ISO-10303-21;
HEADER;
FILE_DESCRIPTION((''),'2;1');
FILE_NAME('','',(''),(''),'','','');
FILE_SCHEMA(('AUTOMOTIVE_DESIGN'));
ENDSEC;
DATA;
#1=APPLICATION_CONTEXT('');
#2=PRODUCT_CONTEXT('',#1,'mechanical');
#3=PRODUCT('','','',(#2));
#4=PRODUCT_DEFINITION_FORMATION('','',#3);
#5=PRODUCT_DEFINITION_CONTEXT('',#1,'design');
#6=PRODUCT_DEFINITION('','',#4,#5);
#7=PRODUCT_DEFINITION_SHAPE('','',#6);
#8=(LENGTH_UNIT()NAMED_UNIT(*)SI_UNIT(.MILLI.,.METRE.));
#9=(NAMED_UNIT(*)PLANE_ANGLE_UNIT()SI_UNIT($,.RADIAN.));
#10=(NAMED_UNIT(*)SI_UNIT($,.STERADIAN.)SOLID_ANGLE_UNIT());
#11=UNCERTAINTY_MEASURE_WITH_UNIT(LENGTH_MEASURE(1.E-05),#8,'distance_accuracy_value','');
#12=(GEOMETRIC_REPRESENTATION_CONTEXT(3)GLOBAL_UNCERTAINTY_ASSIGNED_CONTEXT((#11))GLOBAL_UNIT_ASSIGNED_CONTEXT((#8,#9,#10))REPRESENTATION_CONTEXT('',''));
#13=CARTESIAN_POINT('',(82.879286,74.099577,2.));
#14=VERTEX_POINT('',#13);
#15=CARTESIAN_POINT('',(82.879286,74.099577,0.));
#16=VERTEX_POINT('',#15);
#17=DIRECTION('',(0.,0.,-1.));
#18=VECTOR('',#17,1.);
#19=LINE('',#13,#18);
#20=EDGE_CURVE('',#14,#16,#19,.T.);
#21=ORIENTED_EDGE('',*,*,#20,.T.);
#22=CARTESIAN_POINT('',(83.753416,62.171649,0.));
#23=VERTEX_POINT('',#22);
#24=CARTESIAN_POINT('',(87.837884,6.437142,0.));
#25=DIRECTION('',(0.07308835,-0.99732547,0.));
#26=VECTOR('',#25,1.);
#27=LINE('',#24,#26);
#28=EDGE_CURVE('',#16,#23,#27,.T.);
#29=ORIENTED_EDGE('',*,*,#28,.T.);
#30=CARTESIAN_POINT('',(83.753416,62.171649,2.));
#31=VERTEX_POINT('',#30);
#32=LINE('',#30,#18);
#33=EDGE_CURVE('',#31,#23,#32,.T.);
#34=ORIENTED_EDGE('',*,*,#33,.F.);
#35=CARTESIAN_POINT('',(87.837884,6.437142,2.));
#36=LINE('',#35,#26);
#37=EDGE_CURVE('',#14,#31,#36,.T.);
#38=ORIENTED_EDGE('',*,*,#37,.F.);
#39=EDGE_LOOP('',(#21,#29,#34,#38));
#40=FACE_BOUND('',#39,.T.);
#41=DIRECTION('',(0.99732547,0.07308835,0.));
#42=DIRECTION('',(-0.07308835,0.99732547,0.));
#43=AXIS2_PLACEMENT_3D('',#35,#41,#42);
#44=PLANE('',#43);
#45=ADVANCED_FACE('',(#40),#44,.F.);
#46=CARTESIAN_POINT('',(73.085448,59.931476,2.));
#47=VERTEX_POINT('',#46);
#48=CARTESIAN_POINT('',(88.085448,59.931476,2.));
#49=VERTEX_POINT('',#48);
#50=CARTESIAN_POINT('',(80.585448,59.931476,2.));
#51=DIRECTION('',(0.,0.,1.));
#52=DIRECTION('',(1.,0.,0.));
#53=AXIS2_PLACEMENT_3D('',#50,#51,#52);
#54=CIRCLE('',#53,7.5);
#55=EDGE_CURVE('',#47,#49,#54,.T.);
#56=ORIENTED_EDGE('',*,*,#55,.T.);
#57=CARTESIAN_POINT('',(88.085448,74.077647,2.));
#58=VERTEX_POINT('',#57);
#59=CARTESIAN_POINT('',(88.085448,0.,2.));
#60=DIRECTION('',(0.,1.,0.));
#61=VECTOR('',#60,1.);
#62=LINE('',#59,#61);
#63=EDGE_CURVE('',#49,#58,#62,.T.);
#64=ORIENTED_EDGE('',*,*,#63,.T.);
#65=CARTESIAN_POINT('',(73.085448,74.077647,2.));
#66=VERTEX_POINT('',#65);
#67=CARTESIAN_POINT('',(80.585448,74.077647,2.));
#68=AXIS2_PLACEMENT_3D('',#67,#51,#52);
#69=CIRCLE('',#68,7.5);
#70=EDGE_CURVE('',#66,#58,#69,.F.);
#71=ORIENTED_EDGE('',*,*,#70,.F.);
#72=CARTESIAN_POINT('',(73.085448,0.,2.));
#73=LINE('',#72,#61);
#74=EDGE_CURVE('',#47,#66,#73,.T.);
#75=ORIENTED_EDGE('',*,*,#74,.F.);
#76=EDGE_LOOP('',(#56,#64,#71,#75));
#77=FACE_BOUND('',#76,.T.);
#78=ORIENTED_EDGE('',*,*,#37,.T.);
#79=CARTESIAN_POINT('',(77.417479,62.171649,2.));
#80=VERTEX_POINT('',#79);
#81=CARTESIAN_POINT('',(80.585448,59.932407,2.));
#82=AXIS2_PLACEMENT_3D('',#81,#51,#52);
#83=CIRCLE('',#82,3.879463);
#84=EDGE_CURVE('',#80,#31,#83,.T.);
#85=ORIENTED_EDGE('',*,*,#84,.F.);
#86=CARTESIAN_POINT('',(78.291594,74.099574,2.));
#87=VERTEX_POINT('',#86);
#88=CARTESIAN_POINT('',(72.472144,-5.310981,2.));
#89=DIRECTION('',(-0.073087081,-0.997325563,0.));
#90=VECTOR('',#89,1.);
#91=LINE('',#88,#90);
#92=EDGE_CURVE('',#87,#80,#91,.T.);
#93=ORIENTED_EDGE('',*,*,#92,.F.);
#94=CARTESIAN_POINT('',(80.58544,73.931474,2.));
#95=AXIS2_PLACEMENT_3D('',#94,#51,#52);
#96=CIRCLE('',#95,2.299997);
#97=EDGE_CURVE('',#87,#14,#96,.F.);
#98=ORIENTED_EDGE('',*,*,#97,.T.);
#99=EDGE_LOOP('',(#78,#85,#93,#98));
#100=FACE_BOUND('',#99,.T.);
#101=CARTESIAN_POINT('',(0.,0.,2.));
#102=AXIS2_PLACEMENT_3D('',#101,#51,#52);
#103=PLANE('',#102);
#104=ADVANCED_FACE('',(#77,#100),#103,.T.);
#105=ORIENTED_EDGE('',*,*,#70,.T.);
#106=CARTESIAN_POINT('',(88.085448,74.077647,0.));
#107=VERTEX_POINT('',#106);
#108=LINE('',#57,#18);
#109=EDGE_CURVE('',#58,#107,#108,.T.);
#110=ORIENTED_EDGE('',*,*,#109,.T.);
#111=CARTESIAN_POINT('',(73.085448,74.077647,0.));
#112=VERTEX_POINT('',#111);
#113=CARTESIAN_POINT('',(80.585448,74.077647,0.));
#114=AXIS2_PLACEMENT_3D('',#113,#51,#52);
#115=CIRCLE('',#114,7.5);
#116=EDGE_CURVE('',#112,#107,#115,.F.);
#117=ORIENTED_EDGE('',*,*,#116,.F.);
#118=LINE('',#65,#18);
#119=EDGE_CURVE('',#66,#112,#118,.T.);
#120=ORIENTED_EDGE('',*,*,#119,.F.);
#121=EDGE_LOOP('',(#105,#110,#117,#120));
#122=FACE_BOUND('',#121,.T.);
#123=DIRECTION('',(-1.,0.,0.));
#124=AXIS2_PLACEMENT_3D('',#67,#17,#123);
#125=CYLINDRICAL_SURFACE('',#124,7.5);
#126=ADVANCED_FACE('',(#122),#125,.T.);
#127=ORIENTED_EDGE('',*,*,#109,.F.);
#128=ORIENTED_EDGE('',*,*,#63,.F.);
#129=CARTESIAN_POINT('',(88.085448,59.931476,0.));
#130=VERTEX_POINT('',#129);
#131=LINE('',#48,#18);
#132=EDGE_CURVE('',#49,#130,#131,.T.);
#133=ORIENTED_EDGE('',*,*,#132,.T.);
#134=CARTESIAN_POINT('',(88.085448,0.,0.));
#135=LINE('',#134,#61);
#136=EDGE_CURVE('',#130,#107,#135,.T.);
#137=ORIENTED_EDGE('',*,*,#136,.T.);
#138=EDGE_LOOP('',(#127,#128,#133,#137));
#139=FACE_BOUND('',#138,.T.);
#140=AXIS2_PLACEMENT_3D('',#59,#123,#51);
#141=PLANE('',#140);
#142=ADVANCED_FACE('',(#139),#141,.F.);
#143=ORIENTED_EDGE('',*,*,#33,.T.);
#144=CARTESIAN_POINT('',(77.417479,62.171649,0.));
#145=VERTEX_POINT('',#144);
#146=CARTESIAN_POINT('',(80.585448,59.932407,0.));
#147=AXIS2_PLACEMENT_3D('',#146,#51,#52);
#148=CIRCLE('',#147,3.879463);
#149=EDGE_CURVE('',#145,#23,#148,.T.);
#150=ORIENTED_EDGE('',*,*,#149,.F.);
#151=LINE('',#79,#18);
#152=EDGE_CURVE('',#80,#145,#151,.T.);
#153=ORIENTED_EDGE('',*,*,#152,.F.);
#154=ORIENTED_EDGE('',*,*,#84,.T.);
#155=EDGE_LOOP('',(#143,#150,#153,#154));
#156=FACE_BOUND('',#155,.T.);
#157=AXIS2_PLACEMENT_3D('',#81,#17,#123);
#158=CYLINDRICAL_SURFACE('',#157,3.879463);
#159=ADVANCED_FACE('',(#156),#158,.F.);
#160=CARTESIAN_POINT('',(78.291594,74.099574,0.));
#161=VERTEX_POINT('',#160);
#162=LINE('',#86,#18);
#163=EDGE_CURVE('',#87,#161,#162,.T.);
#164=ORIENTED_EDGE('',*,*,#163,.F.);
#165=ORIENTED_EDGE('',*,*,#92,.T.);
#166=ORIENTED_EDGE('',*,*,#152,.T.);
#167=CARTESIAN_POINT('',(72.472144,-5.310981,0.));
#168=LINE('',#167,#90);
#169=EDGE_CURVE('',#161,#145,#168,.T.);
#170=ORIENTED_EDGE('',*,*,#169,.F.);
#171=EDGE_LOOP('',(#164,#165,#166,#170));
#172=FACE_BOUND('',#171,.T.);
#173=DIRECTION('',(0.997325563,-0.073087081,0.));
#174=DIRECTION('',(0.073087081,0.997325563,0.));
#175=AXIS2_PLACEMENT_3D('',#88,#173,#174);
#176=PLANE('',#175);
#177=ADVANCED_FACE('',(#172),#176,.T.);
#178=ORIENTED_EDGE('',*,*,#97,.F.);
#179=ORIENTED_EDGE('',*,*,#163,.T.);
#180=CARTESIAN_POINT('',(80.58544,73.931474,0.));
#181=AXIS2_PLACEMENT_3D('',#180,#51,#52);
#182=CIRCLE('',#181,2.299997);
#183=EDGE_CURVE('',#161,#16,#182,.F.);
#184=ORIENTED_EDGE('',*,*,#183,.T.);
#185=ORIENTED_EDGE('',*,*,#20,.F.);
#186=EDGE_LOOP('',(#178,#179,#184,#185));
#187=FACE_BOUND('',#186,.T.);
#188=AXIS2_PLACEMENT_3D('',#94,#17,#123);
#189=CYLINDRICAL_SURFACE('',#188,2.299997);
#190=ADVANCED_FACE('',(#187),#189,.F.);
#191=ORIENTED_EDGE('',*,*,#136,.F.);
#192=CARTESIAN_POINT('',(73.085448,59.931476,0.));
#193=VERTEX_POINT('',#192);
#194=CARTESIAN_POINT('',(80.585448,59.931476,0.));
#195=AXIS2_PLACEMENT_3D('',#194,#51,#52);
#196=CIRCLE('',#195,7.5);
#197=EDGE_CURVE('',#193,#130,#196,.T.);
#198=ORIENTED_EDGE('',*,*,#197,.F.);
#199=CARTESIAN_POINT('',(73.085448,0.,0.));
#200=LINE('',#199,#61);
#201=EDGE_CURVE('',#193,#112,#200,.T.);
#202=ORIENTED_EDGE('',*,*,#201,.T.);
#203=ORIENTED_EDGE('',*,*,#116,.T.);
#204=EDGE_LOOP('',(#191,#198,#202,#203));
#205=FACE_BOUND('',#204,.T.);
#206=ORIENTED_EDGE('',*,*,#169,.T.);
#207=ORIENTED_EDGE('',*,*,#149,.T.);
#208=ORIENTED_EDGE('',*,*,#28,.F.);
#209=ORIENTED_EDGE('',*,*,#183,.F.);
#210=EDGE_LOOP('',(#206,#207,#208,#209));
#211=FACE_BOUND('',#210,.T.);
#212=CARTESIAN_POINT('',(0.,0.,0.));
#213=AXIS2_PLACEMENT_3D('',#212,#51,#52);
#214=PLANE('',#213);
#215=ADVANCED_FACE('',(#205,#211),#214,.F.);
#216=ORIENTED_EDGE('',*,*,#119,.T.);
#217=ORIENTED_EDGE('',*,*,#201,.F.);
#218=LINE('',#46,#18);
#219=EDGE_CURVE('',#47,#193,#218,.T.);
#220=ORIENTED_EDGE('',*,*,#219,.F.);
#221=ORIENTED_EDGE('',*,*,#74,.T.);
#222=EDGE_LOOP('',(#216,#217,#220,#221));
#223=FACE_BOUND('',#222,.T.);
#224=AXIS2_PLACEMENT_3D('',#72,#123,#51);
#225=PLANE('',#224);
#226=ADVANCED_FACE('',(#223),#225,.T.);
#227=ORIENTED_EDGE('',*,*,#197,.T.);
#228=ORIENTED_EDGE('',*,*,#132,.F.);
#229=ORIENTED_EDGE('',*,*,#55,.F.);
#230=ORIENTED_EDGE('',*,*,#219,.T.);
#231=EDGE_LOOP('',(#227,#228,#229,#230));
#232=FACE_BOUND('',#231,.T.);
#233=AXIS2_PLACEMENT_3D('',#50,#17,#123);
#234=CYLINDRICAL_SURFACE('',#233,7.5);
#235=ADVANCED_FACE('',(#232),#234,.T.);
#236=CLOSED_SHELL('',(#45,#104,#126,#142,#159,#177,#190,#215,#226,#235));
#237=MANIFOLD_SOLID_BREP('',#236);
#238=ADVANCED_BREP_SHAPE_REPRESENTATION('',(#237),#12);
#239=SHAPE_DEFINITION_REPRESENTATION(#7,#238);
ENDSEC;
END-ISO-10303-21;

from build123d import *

# Parameters (mm, degrees)
BOSS_EXTRUDE1_DEPTH = 2


with BuildPart() as part:
    # Sketch1 → Boss-Extrude1 (new body)
    with BuildSketch(Plane.XY):
        with BuildLine():
            Line((73.085447554, 59.931475915), (73.085447554, 74.077647485))
            ThreePointArc((73.085447554, 74.077647485), (80.585447554, 81.577647485), (88.085447554, 74.077647485))
            Line((88.085447554, 74.077647485), (88.085447554, 59.931475915))
            ThreePointArc((88.085447554, 59.931475915), (80.585447554, 52.431475915), (73.085447554, 59.931475915))
        make_face()
        with BuildLine():
            Line((78.291593741, 74.09957403), (77.417478776, 62.171649257))
            ThreePointArc((77.417478776, 62.171649257), (80.585447576, 56.052944097), (83.753416376, 62.171649257))
            Line((83.753416376, 62.171649257), (82.879285937, 74.099576949))
            ThreePointArc((82.879285937, 74.099576949), (80.585438483, 76.231471338), (78.291593741, 74.09957403))
        make_face(mode=Mode.SUBTRACT)
    extrude(amount=BOSS_EXTRUDE1_DEPTH)


solid = part.part
